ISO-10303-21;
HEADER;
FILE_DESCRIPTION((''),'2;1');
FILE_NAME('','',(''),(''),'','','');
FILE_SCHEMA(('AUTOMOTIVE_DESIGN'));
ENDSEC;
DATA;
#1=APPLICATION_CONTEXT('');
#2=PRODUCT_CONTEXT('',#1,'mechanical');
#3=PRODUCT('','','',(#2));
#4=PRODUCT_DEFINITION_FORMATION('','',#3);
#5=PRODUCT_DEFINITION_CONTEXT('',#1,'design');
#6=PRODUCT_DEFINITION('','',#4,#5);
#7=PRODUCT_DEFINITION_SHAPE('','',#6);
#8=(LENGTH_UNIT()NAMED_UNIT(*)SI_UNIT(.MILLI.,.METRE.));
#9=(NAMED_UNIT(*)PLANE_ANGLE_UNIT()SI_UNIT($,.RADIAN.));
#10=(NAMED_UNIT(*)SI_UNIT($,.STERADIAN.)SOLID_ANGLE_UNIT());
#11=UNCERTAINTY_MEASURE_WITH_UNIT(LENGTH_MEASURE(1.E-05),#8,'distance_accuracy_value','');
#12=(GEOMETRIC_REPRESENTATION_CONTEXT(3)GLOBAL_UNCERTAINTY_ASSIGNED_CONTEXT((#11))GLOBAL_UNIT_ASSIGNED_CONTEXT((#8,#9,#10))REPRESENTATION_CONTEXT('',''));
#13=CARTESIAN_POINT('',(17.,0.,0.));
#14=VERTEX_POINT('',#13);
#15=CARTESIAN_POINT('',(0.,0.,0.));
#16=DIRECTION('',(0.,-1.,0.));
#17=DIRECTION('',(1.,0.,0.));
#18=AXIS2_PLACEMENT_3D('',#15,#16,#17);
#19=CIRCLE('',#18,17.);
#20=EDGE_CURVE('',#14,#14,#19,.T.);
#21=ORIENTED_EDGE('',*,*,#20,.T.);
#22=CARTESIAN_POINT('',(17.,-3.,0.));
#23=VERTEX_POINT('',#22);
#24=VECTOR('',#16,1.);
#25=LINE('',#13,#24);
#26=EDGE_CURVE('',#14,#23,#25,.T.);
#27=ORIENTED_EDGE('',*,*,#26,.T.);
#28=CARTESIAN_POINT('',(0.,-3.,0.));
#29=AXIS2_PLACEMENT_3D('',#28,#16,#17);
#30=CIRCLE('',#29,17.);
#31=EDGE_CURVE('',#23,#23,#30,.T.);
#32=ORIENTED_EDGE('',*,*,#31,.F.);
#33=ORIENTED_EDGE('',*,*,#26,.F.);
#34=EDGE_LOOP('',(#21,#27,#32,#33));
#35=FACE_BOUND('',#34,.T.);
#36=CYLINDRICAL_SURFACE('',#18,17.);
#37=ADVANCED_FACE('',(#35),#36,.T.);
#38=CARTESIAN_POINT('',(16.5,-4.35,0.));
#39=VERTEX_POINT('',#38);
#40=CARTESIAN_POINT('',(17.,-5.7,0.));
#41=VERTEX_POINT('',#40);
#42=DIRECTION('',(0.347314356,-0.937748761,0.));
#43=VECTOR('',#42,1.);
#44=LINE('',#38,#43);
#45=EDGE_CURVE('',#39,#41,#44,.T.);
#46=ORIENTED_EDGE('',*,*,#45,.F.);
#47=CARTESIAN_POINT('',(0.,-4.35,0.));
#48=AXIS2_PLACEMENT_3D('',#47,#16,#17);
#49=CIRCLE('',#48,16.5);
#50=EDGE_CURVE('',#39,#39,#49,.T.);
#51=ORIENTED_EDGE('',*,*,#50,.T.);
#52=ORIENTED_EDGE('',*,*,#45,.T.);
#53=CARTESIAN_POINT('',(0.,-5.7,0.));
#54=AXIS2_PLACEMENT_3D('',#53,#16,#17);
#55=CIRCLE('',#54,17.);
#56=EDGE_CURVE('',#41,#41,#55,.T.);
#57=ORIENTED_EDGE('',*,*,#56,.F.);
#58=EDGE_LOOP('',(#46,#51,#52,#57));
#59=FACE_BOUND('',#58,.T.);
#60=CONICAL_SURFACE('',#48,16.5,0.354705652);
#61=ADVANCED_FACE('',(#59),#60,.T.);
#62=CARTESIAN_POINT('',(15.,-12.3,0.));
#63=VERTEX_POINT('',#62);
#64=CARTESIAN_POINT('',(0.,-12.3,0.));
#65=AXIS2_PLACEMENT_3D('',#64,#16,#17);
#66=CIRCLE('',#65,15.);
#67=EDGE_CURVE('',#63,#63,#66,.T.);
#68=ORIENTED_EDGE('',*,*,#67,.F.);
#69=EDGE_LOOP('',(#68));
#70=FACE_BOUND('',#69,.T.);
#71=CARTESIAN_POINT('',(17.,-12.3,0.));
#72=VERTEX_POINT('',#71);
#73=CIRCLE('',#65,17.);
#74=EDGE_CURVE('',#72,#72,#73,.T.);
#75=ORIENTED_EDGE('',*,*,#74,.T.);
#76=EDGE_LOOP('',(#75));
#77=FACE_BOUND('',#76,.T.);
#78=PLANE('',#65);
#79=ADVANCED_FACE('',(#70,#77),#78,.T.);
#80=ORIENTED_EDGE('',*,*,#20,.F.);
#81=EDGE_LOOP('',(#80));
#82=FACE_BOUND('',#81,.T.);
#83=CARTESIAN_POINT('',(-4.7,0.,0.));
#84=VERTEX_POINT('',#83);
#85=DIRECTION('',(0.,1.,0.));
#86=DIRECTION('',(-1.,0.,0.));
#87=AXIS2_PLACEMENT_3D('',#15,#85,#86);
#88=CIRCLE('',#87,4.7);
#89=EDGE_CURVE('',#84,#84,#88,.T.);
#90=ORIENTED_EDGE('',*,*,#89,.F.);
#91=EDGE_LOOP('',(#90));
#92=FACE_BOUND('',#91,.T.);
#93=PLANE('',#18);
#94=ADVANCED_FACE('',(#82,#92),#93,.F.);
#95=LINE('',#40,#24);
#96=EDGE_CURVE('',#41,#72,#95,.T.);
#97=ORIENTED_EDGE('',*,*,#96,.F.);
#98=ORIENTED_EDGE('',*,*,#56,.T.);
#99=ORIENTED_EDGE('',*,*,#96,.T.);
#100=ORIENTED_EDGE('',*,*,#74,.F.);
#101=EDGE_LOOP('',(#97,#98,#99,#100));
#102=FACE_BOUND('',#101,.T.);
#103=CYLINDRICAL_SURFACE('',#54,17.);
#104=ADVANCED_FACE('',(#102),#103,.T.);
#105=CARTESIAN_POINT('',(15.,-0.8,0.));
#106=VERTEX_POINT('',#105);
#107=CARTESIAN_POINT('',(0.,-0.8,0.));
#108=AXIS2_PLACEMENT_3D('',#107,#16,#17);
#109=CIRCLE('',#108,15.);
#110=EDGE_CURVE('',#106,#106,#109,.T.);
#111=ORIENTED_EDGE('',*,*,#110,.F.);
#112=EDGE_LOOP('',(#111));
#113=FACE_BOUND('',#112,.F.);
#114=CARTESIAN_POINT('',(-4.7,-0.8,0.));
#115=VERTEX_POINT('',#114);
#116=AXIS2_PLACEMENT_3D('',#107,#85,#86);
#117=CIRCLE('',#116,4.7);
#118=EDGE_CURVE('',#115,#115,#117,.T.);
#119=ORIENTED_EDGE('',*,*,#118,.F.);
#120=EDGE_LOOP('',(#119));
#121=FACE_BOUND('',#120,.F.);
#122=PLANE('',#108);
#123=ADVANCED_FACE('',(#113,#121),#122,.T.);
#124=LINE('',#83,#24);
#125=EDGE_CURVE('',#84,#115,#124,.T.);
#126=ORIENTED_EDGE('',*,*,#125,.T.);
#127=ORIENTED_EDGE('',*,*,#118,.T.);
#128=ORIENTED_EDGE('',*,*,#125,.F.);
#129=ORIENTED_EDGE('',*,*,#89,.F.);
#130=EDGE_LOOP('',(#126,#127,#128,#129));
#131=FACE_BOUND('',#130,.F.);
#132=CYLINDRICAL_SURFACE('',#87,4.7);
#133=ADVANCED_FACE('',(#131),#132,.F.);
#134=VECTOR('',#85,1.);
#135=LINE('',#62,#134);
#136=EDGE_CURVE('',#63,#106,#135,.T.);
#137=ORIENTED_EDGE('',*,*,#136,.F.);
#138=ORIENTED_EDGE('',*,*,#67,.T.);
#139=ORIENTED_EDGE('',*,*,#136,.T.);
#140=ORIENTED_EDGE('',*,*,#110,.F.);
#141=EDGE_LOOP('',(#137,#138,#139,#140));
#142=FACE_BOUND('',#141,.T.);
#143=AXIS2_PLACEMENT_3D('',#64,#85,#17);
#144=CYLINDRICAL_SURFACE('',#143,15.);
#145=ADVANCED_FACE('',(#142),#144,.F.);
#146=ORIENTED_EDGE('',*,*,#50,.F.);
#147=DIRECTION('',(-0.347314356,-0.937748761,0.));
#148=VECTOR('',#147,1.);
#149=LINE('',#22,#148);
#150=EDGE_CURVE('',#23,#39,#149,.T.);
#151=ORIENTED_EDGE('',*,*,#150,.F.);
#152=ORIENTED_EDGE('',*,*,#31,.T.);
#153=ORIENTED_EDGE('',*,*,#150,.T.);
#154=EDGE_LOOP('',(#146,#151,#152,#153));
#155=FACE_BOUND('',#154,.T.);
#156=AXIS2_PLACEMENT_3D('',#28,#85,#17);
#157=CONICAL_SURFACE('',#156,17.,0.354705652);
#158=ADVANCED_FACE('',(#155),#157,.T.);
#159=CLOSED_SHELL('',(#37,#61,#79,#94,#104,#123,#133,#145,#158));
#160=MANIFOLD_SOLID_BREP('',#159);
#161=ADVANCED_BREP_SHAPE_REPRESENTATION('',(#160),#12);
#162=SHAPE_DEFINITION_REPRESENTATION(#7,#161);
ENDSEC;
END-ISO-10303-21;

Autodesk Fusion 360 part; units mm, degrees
sketch "Sketch1" plane through (0, 0, 0) normal (0, 0, 1) x (1, 0, 0)
  line L0 (0, 0) -> (17, 0)
  line L1 (17, 0) -> (17, -3)
  line L2 (17, -3) -> (17, -5.7)
  line L3 (17, -5.7) -> (17, -12.3)
  line L4 (17, -12.3) -> (15, -12.3)
  line L5 (15, -12.3) -> (15, -0.8)
  line L6 (17, -3) -> (17, -4.35) construction
  line L7 (17, -4.35) -> (16.5, -4.35) construction
  line L8 (17, -3) -> (16.5, -4.35)
  line L9 (16.5, -4.35) -> (17, -5.7)
  line L10 (0, 0) -> (0, -0.8)
  line L11 (0, -0.8) -> (15, -0.8)
  dimension "d1" = 17
  dimension "d2" = 3
  dimension "d4" = 2.7
  dimension "d5" = 6.6
  dimension "d6" = 2
  dimension "d8" = 1.35
  dimension "d9" = 0.5
  dimension "d10" = 15
  dimension "d12" = 17
  dimension "d19" = 0.8
revolve "Revolve1" add sketch "Sketch1" angle 360 about axis through (0, 0, 0) along (0, -1, 0) contours L0 L1 L3 L4 L5 L8 L9 L10 L11
sketch "Sketch2" plane through (0, 0, 0) normal (0, 1, 0) x (-1, 0, 0)
  circle A0 centre (0, 0) radius 17
  circle A1 centre (0, 0) radius 16.575
  circle A2 centre (0, 0) radius 4.7
  dimension "d14" = 34
  dimension "d15" = 33.15
  dimension "d16" = 9.4
extrude "Extrude1" cut sketch "Sketch2" against normal blind 5 contours A2
equation "d15 = d14 - 0.85 mm"
